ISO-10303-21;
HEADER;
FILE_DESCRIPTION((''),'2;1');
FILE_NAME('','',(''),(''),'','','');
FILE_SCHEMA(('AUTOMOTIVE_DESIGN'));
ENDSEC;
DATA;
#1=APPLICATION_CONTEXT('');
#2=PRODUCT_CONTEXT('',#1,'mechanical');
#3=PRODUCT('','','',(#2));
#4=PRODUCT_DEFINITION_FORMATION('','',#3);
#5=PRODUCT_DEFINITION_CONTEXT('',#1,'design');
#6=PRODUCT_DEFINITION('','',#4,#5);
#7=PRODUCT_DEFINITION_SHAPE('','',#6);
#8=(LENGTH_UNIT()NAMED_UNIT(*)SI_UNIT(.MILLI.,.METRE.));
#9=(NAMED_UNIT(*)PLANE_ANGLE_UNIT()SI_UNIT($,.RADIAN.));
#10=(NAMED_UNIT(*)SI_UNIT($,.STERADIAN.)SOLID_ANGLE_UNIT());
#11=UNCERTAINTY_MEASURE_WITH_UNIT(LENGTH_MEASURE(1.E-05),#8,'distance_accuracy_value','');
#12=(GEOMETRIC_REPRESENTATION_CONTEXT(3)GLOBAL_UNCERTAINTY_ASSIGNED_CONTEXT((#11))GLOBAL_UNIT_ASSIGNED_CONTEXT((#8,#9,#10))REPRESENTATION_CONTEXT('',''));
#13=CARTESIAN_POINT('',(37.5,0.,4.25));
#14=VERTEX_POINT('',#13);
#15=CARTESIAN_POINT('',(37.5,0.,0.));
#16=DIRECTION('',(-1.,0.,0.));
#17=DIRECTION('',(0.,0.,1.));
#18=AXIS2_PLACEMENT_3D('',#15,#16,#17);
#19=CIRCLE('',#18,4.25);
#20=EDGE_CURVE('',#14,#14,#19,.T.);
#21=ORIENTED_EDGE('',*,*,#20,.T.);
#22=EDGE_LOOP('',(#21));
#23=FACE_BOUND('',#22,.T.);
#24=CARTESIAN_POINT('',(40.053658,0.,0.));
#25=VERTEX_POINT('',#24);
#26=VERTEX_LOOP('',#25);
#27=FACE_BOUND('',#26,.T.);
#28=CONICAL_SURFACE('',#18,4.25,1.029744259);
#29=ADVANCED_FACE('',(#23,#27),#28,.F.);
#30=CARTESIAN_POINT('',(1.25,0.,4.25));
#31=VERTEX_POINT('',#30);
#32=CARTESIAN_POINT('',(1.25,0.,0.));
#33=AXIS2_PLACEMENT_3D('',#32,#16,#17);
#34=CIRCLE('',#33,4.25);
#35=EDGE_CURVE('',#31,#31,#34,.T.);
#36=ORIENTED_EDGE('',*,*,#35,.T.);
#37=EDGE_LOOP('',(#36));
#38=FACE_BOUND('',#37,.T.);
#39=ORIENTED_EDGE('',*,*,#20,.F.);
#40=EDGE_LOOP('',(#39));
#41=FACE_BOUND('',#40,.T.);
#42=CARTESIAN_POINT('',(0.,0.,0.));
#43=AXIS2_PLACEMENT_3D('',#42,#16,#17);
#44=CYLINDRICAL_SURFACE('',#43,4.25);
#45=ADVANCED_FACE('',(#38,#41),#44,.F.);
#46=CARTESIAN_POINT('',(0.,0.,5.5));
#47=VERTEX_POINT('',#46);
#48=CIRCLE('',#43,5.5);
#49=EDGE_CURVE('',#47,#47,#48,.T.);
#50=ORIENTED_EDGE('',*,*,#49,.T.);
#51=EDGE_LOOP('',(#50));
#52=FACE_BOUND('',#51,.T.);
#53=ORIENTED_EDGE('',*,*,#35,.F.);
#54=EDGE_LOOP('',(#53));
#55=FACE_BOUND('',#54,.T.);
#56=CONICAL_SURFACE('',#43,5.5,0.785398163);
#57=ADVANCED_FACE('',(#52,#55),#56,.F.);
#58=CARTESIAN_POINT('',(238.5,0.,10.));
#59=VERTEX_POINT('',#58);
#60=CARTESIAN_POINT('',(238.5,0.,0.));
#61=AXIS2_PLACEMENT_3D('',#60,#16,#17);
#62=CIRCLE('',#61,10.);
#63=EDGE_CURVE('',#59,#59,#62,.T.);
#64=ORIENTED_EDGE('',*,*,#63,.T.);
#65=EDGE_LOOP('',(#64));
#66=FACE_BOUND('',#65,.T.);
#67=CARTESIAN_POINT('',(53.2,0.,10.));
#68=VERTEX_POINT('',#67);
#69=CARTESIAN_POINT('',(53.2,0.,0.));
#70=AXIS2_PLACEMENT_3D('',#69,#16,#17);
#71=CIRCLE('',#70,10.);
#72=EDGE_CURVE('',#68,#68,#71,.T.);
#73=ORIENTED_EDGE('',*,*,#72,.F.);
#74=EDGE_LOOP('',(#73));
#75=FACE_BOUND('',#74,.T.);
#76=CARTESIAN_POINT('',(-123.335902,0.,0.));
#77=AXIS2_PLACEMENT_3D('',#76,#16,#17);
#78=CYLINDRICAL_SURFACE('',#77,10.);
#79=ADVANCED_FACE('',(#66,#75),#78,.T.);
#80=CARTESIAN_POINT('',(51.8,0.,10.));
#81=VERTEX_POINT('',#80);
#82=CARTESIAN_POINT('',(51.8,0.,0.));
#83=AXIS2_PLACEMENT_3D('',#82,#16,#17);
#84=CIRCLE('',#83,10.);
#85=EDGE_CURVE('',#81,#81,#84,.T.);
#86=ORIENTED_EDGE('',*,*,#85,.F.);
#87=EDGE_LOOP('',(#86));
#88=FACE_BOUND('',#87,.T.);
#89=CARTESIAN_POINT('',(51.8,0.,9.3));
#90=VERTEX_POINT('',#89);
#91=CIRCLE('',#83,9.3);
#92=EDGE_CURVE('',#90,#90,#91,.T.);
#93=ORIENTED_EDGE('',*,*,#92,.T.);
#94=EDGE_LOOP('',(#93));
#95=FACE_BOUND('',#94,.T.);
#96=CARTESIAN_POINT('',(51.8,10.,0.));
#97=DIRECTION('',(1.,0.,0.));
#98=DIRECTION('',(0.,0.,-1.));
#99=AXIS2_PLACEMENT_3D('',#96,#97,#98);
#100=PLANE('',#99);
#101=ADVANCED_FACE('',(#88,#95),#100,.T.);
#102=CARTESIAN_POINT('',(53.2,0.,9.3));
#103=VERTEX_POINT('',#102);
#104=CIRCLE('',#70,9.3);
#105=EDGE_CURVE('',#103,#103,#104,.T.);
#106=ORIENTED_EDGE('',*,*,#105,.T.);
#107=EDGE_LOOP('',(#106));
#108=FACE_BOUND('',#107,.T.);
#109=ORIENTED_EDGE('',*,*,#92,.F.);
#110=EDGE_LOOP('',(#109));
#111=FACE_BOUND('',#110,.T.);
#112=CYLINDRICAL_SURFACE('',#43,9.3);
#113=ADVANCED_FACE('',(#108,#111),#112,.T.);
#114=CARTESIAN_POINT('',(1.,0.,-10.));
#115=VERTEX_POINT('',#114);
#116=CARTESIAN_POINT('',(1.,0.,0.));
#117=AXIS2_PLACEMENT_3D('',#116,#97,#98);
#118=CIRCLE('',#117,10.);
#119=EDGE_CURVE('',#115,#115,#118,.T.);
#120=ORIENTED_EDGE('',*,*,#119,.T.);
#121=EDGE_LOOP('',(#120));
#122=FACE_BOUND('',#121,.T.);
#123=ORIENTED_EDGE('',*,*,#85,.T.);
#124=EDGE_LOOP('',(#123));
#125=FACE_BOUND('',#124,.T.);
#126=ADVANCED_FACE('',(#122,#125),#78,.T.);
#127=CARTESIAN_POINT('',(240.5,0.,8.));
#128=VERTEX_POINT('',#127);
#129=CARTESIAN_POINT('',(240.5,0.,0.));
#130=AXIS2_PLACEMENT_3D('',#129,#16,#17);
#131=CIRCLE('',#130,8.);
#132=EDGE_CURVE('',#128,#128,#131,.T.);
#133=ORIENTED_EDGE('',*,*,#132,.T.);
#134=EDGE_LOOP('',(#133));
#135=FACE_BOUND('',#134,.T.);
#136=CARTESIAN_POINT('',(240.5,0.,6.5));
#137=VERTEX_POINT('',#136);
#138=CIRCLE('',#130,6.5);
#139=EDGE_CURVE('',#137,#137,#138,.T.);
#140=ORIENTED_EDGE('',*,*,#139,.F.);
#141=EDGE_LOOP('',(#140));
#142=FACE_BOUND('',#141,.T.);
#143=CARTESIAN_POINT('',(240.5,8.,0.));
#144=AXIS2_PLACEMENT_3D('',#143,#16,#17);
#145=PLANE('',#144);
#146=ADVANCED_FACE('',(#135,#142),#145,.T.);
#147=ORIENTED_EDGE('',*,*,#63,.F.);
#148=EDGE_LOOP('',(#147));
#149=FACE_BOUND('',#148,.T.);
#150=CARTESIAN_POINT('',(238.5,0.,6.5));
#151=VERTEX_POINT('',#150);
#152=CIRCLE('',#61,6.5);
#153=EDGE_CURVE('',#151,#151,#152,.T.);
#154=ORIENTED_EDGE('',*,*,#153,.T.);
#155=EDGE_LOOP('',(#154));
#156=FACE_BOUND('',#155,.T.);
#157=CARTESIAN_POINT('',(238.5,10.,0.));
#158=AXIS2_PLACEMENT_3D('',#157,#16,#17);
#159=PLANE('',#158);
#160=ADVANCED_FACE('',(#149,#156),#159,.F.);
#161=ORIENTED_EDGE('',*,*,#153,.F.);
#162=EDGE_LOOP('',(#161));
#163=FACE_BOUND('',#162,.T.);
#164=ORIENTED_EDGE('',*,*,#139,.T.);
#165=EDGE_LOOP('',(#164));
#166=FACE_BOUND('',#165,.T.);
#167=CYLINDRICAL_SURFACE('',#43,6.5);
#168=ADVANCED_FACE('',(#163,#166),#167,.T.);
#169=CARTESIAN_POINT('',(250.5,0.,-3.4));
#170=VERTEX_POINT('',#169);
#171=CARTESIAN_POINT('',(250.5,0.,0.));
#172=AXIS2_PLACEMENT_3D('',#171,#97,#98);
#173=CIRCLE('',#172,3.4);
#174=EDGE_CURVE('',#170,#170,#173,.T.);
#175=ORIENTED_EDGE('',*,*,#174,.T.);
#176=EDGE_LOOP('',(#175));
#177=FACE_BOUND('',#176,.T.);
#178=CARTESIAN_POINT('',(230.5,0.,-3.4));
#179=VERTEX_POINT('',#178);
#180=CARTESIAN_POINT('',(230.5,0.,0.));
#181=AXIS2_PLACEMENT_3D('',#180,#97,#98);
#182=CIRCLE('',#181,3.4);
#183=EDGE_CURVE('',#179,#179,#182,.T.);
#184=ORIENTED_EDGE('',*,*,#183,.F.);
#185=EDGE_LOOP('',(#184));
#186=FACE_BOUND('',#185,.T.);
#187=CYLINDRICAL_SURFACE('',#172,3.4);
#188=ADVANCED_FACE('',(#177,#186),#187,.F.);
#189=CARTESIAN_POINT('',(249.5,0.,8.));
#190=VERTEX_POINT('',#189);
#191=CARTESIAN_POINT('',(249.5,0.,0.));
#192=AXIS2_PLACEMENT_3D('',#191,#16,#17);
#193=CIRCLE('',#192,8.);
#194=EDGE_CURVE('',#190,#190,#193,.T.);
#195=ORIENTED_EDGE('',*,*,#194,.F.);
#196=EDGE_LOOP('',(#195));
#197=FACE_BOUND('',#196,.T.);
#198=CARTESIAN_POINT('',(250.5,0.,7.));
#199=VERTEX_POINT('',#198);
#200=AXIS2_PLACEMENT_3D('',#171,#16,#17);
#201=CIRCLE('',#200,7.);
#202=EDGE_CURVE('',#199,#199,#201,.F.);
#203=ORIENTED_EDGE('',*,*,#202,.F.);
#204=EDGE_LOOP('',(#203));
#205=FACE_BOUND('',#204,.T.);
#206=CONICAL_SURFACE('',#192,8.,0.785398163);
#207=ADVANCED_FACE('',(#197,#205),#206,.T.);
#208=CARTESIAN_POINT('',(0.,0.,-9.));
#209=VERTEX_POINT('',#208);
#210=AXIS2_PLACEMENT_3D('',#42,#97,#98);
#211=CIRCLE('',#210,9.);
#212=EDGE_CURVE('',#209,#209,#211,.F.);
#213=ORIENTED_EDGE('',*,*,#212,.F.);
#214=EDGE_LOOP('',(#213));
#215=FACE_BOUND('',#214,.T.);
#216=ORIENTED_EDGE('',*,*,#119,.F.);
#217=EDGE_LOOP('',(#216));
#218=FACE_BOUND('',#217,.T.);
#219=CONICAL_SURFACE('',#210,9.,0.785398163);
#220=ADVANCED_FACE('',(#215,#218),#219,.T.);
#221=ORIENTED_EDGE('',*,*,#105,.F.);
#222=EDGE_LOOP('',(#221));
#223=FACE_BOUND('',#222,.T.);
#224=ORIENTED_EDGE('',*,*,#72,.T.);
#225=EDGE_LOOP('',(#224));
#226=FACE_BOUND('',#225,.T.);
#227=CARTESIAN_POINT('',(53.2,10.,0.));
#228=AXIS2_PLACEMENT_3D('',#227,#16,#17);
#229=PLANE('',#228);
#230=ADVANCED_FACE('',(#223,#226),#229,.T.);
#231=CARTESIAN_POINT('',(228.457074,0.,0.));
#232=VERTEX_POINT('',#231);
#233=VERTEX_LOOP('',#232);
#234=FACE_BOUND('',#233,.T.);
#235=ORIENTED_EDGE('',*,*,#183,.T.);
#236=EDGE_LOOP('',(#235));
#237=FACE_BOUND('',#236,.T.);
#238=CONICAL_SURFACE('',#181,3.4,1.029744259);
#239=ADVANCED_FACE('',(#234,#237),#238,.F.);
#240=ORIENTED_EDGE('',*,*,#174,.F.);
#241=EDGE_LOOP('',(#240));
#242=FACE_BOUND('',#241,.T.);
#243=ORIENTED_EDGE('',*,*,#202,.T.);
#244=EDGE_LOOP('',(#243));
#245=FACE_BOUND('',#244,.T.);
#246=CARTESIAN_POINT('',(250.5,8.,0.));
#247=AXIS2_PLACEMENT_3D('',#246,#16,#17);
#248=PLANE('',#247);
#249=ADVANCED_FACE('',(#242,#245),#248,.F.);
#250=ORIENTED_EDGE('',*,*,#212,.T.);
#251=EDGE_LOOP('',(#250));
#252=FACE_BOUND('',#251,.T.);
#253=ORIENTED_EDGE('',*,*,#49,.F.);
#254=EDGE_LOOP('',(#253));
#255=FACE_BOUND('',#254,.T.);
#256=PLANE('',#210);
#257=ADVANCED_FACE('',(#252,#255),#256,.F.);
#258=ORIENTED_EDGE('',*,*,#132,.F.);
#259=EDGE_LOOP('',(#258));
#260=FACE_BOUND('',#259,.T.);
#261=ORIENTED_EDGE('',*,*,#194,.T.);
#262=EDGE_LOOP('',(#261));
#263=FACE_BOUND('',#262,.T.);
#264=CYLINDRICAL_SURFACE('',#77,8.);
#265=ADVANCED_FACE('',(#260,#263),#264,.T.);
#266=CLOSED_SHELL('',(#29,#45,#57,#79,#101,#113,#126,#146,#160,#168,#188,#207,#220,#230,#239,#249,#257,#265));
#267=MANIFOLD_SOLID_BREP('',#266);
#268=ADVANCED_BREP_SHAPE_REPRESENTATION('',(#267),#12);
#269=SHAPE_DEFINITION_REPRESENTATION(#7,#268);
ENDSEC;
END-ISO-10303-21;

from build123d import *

# Parameters (mm, degrees)
M10X1_52_D            = 8.5
M10X1_52_DEPTH        = 37.5
M10X1_52_CSINK_D      = 11
M10X1_52_CSINK_ANGLE  = 90
M10X1_52_TIP          = 2.553657631
HOLE_WIZARD_M81_D     = 6.8
HOLE_WIZARD_M81_DEPTH = 20
HOLE_WIZARD_M81_TIP   = 2.042926105
SKETCH_6_W            = 2
SKETCH_6_H            = 1.5
SKETCH_20_W           = 1.4
SKETCH_20_H           = 0.7
CHAMFER_1_SIZE        = 1


with BuildPart() as part:
    # Эскиз1 → Повернуть1 (revolve)
    with BuildSketch(Plane.XY, mode=Mode.PRIVATE) as revolve_1_sk:
        Polygon((0, 10), (238.5, 10), (238.5, 8), (250.5, 8), (250.5, 0), (0, 0), align=None)
    revolve(revolve_1_sk.sketch.rotate(Axis((-123.335902371, 0, 0), (1, 0, 0)), 90), axis=Axis((-123.335902371, 0, 0), (1, 0, 0)))

    # Отверстие обработанное метчиком M10x1.52
    with Locations(Plane.ZY):
        with Locations((0, 0)):
            CounterSinkHole(M10X1_52_D / 2, M10X1_52_CSINK_D / 2, depth=M10X1_52_DEPTH, counter_sink_angle=M10X1_52_CSINK_ANGLE)
            with Locations((0, 0, -(M10X1_52_DEPTH + M10X1_52_TIP / 2))):  # 118° drill point
                Cone(0, M10X1_52_D / 2, M10X1_52_TIP, mode=Mode.SUBTRACT)

    # Отверстие обработанное метчиком M81
    with Locations(Plane(origin=(250.5, 0, 0), x_dir=(0, 0, -1), z_dir=(1, 0, 0))):
        with Locations((0, 0)):
            Hole(HOLE_WIZARD_M81_D / 2, depth=HOLE_WIZARD_M81_DEPTH)
            with Locations((0, 0, -(HOLE_WIZARD_M81_DEPTH + HOLE_WIZARD_M81_TIP / 2))):  # 118° drill point
                Cone(0, HOLE_WIZARD_M81_D / 2, HOLE_WIZARD_M81_TIP, mode=Mode.SUBTRACT)

    # Эскиз6 → Вырез-Повернуть1 (revolve, cut)
    with BuildSketch(Plane.XY, mode=Mode.PRIVATE) as cut_revolve_1_sk:
        with Locations((239.5, 7.25)):
            Rectangle(SKETCH_6_W, SKETCH_6_H)
    revolve(cut_revolve_1_sk.sketch.rotate(Axis((0, 0, 0), (1, 0, 0)), 90), axis=Axis((0, 0, 0), (1, 0, 0)), mode=Mode.SUBTRACT)

    # Эскиз20 → Вырез-Повернуть2 (revolve, cut)
    with BuildSketch(Plane.XY, mode=Mode.PRIVATE) as cut_revolve_2_sk:
        with Locations((52.5, 9.65)):
            Rectangle(SKETCH_20_W, SKETCH_20_H)
    revolve(cut_revolve_2_sk.sketch.rotate(Axis((0, 0, 0), (1, 0, 0)), 90), axis=Axis((0, 0, 0), (1, 0, 0)), mode=Mode.SUBTRACT)

    # Фаска1
    chamfer_1_edges = [part.edges().sort_by_distance(p)[0] for p in [
        (250.5, 0, -8),
        (0, 0, -10),
    ]]
    chamfer(chamfer_1_edges, length=CHAMFER_1_SIZE)


solid = part.part
